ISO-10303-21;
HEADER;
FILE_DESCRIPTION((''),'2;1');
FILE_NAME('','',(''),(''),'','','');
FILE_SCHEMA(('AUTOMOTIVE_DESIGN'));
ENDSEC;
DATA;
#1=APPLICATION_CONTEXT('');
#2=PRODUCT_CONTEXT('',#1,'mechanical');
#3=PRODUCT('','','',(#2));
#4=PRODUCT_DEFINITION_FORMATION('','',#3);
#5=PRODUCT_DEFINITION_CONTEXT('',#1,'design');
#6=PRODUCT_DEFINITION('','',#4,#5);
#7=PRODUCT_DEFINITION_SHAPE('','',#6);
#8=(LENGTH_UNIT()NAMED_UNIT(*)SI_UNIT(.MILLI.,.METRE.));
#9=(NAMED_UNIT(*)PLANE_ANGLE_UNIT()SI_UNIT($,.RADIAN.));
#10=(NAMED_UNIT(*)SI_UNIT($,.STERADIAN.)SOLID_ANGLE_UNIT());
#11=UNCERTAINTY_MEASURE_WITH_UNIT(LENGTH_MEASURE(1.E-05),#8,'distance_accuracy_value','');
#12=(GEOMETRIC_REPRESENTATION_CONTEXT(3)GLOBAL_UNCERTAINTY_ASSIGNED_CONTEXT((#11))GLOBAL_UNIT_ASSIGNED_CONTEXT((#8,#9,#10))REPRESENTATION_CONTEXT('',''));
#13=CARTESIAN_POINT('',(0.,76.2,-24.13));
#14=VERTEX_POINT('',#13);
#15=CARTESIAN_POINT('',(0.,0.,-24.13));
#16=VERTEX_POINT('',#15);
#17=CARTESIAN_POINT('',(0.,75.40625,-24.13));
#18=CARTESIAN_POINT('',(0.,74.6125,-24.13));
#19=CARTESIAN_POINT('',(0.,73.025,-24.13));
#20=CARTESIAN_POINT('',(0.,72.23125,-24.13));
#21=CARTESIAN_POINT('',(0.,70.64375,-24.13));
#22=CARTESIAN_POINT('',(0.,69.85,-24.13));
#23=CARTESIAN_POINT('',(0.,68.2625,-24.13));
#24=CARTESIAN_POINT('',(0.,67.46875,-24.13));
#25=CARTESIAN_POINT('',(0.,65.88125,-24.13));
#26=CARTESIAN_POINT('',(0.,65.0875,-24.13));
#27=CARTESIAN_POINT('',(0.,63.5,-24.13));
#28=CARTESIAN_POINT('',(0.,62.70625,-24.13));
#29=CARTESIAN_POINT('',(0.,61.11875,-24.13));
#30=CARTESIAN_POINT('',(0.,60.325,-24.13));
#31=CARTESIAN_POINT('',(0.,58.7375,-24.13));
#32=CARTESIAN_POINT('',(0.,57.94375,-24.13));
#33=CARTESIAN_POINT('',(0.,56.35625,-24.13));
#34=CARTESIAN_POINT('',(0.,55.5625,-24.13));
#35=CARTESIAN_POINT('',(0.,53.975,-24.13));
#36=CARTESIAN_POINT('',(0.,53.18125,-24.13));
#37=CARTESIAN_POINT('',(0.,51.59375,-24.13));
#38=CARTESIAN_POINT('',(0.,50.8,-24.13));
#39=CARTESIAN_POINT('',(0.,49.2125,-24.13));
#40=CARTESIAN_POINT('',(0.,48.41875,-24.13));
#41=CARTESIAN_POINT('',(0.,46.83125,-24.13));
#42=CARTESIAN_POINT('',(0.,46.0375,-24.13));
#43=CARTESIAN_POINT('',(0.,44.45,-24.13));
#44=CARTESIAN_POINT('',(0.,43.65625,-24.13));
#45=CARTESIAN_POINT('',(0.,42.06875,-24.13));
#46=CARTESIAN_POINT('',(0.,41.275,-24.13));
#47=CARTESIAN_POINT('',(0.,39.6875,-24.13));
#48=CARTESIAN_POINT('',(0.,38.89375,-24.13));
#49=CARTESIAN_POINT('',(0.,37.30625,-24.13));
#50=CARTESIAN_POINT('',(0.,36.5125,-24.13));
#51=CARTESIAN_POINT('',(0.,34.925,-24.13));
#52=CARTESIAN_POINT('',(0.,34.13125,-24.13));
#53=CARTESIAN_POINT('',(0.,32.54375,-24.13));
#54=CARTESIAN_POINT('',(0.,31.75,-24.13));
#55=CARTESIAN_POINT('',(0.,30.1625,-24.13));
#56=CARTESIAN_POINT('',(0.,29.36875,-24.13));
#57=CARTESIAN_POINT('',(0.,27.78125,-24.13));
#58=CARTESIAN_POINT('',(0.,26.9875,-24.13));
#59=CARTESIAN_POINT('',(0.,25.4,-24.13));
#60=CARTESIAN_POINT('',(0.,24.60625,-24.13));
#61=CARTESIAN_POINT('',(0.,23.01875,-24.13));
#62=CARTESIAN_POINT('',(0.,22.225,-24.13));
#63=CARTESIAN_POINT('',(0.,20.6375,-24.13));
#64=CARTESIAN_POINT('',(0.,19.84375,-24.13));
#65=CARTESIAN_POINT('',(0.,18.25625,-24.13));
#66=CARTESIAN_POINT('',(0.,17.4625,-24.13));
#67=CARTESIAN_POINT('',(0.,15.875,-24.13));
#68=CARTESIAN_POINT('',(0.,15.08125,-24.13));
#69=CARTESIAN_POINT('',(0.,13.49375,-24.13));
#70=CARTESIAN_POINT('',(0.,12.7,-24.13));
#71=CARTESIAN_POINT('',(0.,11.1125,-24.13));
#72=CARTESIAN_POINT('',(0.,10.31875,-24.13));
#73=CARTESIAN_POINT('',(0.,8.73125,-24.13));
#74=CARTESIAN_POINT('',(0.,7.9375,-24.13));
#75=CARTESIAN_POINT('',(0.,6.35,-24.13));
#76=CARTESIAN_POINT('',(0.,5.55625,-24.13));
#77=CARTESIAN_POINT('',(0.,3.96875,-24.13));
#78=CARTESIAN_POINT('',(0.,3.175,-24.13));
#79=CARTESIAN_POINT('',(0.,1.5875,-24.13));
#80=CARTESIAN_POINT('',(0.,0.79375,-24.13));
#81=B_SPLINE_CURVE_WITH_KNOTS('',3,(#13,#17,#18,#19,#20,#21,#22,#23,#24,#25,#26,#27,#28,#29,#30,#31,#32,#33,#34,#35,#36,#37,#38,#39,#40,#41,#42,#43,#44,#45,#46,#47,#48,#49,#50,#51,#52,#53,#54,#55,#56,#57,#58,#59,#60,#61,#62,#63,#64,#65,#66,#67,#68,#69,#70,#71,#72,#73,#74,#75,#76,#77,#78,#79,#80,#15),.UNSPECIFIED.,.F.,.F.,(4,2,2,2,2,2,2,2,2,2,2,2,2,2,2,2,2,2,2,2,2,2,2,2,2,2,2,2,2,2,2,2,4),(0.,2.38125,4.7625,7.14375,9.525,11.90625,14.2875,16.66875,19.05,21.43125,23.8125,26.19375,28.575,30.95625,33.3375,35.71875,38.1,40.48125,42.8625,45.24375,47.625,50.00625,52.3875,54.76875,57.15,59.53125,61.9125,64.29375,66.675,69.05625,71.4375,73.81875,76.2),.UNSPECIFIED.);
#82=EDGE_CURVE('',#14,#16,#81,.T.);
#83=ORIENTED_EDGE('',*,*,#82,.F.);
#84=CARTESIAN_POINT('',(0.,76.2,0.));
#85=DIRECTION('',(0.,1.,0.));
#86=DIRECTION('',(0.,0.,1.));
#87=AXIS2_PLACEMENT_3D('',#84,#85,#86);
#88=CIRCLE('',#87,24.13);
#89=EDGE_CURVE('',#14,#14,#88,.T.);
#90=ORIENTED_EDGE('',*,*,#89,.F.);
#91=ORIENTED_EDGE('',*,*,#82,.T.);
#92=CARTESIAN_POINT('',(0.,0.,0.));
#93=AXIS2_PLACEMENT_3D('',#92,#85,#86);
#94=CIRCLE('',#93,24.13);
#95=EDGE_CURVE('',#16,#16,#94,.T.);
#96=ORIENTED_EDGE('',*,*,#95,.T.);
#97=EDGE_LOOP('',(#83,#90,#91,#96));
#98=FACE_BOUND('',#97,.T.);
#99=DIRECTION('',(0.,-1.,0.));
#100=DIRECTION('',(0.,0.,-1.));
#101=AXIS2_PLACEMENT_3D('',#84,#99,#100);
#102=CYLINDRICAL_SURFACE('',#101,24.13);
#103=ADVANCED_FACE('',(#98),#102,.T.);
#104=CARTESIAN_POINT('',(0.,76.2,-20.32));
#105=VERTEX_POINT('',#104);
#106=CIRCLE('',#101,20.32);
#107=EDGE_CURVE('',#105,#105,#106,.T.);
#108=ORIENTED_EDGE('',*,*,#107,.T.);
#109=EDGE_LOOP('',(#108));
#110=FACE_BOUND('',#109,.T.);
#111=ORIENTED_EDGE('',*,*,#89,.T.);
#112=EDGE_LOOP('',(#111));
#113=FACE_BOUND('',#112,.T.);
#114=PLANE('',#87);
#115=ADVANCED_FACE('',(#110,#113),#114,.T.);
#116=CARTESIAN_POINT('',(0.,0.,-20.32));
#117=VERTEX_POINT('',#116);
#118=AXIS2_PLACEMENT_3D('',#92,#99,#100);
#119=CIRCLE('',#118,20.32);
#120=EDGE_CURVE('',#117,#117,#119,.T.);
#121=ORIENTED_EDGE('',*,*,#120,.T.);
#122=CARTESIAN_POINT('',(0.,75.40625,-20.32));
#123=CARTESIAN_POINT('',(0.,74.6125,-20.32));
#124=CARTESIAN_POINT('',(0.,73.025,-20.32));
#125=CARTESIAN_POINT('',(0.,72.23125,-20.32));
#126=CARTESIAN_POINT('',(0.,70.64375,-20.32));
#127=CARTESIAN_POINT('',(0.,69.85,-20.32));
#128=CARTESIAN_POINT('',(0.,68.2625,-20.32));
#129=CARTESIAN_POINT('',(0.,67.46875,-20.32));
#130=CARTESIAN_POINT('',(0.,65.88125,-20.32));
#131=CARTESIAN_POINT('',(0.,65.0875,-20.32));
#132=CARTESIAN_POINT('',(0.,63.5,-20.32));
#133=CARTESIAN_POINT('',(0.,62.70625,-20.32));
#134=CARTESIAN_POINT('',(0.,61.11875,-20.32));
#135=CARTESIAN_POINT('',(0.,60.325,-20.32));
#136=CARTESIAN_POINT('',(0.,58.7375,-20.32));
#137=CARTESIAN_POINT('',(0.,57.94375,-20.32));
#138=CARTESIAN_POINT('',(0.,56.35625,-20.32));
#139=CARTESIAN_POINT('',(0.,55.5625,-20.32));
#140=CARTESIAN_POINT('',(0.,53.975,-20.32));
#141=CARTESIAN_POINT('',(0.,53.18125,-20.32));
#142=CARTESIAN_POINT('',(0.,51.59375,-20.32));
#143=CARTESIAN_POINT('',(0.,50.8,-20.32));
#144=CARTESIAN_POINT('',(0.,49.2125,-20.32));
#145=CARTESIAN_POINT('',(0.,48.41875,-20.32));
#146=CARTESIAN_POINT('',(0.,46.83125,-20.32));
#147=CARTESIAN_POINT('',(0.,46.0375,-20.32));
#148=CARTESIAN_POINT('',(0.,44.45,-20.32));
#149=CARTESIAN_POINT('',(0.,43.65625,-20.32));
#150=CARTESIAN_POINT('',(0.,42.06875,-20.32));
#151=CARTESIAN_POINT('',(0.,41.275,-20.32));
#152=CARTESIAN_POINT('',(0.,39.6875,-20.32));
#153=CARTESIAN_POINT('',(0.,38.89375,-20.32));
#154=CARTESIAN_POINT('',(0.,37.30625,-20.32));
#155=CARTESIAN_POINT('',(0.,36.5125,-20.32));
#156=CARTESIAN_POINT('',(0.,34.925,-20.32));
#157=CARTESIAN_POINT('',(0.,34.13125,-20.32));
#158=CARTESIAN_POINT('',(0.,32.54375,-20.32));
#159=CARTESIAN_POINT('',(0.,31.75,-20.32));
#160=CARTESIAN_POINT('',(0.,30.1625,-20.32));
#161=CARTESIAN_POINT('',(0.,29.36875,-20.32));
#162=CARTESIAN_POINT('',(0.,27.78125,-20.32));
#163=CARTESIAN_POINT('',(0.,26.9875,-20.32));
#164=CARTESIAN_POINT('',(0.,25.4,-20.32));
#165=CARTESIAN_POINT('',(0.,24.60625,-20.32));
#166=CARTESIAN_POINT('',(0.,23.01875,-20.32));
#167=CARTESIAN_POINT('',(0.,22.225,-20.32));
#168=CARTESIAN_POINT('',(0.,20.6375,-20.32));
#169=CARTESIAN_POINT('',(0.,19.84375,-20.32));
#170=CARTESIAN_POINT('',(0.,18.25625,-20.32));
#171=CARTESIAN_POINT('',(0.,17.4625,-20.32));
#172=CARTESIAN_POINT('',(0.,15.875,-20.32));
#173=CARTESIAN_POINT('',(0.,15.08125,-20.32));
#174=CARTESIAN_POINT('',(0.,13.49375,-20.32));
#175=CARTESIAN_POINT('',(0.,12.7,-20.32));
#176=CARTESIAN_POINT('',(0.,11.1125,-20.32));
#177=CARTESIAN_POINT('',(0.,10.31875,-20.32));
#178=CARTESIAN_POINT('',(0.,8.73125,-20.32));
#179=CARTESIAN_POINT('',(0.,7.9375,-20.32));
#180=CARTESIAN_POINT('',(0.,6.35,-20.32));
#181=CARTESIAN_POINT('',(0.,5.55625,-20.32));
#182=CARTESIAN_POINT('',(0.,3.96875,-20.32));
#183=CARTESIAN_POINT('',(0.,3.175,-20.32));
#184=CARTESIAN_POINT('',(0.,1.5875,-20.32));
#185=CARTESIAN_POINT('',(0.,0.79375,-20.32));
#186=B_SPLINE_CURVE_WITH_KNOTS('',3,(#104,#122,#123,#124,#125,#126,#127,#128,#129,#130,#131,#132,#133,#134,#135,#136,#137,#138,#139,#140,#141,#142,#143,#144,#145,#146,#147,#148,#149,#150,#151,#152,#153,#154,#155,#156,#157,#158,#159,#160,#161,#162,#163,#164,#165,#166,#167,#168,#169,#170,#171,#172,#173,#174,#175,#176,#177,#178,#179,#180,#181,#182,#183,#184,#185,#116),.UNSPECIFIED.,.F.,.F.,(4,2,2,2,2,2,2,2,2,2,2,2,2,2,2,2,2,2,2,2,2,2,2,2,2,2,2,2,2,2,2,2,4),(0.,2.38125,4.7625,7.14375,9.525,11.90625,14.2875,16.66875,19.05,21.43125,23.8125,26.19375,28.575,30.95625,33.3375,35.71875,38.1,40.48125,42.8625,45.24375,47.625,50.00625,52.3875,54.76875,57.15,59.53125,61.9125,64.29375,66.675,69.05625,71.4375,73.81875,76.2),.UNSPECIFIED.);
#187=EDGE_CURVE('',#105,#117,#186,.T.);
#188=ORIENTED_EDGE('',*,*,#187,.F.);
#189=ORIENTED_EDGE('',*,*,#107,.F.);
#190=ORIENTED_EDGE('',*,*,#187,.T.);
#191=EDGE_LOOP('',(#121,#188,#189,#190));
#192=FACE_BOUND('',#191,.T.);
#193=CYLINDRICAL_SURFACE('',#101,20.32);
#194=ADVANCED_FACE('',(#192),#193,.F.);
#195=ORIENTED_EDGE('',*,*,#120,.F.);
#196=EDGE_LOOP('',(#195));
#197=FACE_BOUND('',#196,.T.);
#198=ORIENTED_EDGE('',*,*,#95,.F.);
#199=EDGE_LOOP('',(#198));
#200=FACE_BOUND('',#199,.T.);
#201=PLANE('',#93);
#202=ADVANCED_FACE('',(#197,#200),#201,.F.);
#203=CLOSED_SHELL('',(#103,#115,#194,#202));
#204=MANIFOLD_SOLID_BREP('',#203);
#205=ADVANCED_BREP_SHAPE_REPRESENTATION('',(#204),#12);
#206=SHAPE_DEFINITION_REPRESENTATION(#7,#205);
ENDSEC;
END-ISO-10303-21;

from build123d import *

# Parameters (mm, degrees)
SKETCH1_R           = 24.13
BOSS_EXTRUDE1_DEPTH = 76.2
SKETCH2_R           = 20.32
CUT_EXTRUDE1_DEPTH  = 84.492237963


with BuildPart() as part:
    # Sketch1 → Boss-Extrude1 (new body)
    with BuildSketch(Plane(origin=(0, 0, 0), x_dir=(1, 0, 0), z_dir=(0, 1, 0))):
        with Locations(Location((0, 0, 0), (0, 0, 90))):
            Circle(SKETCH1_R)
    extrude(amount=BOSS_EXTRUDE1_DEPTH)

    # Sketch2 → Cut-Extrude1 (cut, through all)
    with BuildSketch(Plane(origin=(0, 0, 0), x_dir=(-1, 0, 0), z_dir=(0, -1, 0))):
        with Locations(Location((0, 0, 0), (0, 0, 90))):
            Circle(SKETCH2_R)
    extrude(amount=-CUT_EXTRUDE1_DEPTH, mode=Mode.SUBTRACT)


solid = part.part
